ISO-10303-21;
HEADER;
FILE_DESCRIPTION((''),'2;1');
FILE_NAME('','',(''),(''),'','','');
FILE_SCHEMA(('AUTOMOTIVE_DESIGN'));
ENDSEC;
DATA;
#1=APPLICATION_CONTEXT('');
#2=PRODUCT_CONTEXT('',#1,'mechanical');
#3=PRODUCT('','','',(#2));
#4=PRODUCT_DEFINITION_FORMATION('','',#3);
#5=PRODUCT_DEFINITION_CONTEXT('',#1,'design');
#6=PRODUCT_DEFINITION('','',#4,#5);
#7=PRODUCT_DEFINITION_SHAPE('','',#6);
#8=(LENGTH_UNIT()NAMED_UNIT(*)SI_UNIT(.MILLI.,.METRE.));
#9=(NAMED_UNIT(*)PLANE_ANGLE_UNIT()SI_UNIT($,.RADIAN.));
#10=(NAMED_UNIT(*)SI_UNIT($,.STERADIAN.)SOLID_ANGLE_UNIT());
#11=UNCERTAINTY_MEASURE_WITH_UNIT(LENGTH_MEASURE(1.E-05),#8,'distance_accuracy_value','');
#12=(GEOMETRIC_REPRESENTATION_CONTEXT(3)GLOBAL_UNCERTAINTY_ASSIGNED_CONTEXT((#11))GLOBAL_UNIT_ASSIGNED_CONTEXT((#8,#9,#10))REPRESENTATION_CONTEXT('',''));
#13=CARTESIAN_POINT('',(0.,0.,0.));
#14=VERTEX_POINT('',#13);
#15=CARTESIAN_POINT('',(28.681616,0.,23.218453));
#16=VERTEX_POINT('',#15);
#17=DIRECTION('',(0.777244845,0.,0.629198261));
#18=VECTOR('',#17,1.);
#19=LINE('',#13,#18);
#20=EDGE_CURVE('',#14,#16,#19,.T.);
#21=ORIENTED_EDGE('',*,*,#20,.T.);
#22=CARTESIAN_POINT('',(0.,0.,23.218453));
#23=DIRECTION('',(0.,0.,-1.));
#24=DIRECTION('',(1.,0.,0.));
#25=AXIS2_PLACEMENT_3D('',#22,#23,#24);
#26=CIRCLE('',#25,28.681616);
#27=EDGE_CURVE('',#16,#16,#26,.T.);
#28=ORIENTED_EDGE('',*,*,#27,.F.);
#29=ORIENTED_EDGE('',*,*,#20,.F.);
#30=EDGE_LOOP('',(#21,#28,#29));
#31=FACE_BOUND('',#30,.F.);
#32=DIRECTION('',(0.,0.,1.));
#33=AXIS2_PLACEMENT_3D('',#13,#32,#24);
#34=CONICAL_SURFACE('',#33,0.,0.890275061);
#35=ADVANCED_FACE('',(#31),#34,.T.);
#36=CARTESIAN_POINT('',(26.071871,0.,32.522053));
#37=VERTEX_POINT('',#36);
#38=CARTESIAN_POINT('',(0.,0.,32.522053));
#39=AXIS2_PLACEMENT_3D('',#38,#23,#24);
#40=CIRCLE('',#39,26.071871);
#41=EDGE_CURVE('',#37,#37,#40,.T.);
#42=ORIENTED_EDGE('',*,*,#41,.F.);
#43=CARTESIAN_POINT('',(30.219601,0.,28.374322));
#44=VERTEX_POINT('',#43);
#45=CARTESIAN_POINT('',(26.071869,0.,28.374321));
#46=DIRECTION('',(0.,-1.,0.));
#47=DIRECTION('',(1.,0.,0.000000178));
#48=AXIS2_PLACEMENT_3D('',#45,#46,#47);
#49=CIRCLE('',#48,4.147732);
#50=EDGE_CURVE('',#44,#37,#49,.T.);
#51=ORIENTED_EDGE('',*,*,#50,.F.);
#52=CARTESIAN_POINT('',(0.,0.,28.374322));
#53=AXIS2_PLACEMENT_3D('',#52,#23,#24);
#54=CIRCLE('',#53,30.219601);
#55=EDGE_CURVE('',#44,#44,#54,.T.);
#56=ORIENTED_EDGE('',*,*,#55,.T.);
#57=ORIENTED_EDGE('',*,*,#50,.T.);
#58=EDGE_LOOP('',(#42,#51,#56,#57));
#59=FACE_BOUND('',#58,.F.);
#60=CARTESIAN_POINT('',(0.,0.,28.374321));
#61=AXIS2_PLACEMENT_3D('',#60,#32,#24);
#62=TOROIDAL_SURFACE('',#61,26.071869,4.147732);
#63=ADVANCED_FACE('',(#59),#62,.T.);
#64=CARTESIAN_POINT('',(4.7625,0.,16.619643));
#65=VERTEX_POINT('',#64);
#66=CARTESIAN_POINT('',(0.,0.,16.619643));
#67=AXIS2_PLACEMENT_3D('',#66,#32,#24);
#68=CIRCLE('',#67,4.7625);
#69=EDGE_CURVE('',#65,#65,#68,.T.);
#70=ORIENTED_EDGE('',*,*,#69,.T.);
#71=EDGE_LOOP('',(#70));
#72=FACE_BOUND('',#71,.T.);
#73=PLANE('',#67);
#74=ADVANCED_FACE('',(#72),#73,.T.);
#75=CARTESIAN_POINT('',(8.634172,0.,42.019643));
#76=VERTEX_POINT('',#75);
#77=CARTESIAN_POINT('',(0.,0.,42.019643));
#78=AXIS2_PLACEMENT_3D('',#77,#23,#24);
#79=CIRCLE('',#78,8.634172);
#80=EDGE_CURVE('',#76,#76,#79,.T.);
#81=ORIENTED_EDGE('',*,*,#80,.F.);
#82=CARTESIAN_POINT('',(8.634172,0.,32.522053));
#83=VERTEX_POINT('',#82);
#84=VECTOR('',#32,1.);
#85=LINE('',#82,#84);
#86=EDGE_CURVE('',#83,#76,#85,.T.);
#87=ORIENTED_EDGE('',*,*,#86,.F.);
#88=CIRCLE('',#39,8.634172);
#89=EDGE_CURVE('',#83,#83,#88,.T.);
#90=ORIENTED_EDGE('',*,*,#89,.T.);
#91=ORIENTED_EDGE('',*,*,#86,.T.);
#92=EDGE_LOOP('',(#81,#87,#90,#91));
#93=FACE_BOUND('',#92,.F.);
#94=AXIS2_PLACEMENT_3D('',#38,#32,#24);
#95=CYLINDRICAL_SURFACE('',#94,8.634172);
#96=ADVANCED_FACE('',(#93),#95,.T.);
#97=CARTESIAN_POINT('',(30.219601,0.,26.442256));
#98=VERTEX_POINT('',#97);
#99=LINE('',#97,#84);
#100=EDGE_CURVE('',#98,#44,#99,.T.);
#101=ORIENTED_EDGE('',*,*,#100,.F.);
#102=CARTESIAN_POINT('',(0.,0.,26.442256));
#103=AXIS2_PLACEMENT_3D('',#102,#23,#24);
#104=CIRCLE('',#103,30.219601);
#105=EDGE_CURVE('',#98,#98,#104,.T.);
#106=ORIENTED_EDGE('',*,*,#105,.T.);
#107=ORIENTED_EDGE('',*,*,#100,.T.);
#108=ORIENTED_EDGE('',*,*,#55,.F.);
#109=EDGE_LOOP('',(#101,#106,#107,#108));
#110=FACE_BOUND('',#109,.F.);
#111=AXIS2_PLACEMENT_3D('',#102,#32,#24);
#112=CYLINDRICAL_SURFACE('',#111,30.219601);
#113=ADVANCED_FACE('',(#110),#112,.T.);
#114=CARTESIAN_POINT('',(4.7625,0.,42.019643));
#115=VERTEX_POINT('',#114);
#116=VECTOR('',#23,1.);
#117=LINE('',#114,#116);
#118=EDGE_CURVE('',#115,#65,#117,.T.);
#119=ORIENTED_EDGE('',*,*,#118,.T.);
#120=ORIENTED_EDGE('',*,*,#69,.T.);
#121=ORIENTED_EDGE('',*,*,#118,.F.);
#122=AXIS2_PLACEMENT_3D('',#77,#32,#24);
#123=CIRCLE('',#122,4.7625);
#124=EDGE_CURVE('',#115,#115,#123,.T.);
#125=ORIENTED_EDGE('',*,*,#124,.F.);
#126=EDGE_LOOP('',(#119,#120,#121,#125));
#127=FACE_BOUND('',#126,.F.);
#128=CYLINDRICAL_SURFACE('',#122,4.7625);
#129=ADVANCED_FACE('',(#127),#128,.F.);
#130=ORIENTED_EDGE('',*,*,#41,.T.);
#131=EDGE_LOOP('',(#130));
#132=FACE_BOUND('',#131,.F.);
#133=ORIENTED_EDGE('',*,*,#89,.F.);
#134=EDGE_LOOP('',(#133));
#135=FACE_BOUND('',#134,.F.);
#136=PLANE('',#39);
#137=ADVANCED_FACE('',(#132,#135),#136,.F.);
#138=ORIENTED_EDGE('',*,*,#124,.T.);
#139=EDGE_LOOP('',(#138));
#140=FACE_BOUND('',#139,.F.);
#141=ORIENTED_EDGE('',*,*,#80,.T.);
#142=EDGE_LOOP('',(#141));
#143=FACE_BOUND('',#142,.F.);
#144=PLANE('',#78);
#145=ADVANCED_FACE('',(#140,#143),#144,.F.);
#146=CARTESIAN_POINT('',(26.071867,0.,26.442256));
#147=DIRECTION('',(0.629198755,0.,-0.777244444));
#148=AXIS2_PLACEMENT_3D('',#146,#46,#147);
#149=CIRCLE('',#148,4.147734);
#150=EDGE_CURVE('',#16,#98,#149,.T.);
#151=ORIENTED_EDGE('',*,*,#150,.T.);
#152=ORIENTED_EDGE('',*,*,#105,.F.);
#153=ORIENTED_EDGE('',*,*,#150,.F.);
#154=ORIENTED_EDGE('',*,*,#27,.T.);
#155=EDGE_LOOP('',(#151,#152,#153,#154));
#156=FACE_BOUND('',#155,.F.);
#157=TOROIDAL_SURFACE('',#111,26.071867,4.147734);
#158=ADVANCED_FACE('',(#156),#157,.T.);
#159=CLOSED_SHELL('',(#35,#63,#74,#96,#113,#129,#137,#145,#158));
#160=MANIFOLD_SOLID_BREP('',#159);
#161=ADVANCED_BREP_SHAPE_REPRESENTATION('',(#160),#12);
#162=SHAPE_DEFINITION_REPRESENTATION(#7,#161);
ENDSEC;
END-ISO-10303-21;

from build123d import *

# Parameters (mm, degrees)
F2_R     = 4.7625
F3_DEPTH = 25.4


with BuildPart() as f1:
    # F0 (on Front) → F1 (revolve)
    with BuildSketch(Plane.XZ):
        with BuildLine():
            Line((0, 42.019643), (0, 0))
            Line((0, 0), (28.681616, 23.218453))
            ThreePointArc((28.681616, 23.218453), (29.815411, 24.656318), (30.219601, 26.442256))
            Line((30.219601, 26.442256), (30.219601, 28.374322))
            ThreePointArc((30.219601, 28.374322), (29.004759, 31.30721), (26.071871, 32.522053))
            Line((26.071871, 32.522053), (8.634172, 32.522053))
            Line((8.634172, 32.522053), (8.634172, 42.019643))
            Line((8.634172, 42.019643), (0, 42.019643))
        make_face()
    revolve(axis=Axis((0, 0, 21.009821), (0, 0, -1)))

    # F2 (on face) → F3 (cut)
    with BuildSketch(Plane.XY.offset(42.019643)):
        Circle(F2_R)
    extrude(amount=-F3_DEPTH, mode=Mode.SUBTRACT)


solid = f1.part
